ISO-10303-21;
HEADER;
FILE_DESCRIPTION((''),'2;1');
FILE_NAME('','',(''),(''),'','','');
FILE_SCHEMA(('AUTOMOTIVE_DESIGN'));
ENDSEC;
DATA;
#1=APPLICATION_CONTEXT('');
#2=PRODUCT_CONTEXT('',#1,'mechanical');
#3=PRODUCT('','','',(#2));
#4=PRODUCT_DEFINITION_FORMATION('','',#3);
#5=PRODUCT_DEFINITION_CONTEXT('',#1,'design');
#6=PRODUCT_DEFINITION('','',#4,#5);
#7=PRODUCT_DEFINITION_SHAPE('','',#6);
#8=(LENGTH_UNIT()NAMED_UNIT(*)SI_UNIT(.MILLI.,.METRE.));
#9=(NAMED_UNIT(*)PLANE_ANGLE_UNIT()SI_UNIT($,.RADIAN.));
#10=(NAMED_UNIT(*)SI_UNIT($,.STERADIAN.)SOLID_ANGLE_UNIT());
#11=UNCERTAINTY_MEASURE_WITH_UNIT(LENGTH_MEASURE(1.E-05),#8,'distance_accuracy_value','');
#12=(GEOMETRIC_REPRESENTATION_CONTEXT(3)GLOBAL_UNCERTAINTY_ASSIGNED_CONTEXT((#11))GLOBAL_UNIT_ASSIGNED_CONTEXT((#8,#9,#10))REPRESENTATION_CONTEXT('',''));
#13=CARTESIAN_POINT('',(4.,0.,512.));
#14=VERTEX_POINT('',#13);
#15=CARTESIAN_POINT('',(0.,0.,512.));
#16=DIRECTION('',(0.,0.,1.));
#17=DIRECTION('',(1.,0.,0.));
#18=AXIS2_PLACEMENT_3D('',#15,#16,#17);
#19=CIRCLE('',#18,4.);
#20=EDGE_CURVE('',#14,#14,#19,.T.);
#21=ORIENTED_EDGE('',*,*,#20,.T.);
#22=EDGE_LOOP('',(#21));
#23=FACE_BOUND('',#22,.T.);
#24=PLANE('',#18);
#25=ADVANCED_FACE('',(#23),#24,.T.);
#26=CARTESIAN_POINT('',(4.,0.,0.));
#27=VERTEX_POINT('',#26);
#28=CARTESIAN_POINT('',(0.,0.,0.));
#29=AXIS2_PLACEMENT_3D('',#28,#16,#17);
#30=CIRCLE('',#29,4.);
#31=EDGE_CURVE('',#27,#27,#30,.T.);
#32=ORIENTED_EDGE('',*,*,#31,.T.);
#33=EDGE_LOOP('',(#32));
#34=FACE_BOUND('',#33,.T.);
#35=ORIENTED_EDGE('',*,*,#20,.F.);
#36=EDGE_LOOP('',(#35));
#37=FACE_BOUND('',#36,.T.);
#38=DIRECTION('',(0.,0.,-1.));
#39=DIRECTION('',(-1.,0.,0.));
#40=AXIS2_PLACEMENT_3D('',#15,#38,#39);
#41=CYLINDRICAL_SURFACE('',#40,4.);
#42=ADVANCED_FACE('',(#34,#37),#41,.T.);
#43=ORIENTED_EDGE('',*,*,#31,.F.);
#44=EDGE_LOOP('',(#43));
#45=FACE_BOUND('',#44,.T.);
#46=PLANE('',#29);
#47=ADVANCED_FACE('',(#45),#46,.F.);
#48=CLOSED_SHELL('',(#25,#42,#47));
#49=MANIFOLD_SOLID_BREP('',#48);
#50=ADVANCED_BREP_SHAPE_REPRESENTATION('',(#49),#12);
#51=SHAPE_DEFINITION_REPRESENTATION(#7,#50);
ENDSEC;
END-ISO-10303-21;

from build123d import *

# Parameters (mm, degrees)
SKETCH1_R           = 4
BOSS_EXTRUDE1_DEPTH = 512


with BuildPart() as part:
    # Sketch1 → Boss-Extrude1 (new body)
    with BuildSketch(Plane.XY):
        Circle(SKETCH1_R)
    extrude(amount=BOSS_EXTRUDE1_DEPTH)


solid = part.part
